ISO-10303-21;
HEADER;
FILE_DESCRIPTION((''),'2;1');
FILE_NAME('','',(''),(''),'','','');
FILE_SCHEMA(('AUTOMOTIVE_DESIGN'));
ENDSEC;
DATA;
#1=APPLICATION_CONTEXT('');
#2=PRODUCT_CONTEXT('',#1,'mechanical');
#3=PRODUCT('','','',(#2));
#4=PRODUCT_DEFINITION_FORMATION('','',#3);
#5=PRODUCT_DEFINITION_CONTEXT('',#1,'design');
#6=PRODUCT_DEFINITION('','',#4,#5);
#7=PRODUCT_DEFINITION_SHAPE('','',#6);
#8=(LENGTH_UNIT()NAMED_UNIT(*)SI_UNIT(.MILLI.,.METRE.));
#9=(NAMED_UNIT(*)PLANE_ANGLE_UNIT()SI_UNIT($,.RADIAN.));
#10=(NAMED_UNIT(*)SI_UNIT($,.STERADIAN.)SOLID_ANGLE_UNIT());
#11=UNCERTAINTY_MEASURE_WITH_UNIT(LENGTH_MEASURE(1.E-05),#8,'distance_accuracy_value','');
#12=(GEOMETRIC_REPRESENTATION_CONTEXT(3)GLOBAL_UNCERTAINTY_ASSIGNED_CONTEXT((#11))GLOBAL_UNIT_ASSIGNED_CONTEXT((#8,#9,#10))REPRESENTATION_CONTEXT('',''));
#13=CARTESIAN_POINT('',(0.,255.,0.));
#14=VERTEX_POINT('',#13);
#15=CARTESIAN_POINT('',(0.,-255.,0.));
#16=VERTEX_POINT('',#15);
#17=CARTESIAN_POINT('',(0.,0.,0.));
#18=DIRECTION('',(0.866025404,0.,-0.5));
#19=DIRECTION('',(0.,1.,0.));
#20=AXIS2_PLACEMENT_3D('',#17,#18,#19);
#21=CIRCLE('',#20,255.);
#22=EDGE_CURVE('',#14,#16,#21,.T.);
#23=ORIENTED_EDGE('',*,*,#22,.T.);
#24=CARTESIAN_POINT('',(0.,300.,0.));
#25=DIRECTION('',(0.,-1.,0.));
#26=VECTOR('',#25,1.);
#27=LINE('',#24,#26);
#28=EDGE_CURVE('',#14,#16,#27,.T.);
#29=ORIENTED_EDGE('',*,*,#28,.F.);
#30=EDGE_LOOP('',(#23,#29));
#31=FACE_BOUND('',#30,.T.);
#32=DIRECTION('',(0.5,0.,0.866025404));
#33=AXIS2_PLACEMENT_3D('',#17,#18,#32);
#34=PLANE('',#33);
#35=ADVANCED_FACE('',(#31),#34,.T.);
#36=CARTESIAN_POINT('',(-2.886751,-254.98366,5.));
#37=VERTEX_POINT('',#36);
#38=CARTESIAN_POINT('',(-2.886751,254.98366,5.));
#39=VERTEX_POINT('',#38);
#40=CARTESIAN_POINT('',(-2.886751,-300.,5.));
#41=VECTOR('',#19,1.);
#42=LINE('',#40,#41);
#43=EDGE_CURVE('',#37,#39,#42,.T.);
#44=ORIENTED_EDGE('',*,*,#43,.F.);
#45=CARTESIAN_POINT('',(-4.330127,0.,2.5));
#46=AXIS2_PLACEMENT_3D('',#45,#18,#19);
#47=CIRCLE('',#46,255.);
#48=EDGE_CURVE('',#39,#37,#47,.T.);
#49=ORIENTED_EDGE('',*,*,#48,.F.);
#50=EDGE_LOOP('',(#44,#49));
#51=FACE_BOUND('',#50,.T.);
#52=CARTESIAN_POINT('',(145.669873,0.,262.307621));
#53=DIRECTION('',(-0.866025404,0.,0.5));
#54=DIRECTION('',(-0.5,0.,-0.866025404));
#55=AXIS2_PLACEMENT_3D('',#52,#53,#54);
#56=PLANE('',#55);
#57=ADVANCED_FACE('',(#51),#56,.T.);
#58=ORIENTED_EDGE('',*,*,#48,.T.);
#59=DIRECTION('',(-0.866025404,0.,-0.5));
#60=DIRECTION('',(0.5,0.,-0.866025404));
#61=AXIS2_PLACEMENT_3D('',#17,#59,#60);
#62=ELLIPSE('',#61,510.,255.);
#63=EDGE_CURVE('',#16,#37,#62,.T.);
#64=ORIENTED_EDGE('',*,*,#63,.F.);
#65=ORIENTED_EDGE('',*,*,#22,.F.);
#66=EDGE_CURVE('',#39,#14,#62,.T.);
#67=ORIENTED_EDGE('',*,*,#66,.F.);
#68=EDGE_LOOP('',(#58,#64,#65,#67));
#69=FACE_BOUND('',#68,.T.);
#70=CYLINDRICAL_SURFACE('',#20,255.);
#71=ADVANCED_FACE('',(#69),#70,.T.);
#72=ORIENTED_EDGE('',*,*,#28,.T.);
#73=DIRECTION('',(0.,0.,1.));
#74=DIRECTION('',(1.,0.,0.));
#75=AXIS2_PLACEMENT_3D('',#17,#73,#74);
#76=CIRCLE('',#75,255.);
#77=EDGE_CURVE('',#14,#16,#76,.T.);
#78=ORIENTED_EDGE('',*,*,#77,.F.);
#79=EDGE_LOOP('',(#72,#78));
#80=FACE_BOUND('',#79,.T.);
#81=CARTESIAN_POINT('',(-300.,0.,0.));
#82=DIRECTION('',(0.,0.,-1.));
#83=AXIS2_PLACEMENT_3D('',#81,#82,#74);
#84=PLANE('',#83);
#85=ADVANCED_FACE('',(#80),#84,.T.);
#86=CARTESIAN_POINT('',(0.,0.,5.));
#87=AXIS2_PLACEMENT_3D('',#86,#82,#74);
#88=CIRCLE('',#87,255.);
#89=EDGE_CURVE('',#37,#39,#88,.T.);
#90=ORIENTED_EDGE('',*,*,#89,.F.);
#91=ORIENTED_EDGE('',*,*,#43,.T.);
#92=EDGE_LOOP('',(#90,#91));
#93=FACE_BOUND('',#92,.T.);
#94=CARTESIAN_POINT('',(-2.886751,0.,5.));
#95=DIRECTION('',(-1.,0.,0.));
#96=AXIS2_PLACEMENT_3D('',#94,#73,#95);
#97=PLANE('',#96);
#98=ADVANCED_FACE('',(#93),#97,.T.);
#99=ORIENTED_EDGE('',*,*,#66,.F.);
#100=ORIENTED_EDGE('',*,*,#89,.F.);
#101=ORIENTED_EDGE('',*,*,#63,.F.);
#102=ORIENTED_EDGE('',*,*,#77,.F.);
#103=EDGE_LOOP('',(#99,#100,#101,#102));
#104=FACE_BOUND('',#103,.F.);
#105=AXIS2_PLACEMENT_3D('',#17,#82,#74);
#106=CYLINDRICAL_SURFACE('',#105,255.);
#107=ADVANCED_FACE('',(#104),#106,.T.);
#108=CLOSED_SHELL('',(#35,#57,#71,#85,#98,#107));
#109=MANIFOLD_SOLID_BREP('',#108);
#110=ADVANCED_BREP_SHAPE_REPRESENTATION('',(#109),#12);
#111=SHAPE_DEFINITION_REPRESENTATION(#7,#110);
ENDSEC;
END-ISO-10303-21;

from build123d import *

# Parameters (mm, degrees)
F1_DEPTH      = 300
F1_DEPTH_BACK = 300
F2_R          = 255
F3_DEPTH      = 500
F4_R          = 255
F5_DEPTH      = 500


with BuildPart() as f1:
    # F0 (on Front) → F1 (new body, two sides)
    with BuildSketch(Plane.XZ) as f1_sk:
        Polygon((-300, 0), (0, 0), (150, 259.8076211353), (145.6698729811, 262.3076211353), (-2.8867513459, 5), (-300, 5), align=None)
    extrude(amount=F1_DEPTH)
    extrude(f1_sk.sketch, amount=-F1_DEPTH_BACK)

    # F2 (on Top) → F3 (intersect)
    with BuildSketch(Plane.XY):
        Circle(F2_R)
    extrude(amount=F3_DEPTH, mode=Mode.INTERSECT)

    # F4 (on face) → F5 (intersect)
    with BuildSketch(Plane(origin=(0, 0, 0), x_dir=(0, 1, 0), z_dir=(0.8660254038, 0, -0.5))):
        Circle(F4_R)
    extrude(amount=-F5_DEPTH, mode=Mode.INTERSECT)


solid = f1.part
